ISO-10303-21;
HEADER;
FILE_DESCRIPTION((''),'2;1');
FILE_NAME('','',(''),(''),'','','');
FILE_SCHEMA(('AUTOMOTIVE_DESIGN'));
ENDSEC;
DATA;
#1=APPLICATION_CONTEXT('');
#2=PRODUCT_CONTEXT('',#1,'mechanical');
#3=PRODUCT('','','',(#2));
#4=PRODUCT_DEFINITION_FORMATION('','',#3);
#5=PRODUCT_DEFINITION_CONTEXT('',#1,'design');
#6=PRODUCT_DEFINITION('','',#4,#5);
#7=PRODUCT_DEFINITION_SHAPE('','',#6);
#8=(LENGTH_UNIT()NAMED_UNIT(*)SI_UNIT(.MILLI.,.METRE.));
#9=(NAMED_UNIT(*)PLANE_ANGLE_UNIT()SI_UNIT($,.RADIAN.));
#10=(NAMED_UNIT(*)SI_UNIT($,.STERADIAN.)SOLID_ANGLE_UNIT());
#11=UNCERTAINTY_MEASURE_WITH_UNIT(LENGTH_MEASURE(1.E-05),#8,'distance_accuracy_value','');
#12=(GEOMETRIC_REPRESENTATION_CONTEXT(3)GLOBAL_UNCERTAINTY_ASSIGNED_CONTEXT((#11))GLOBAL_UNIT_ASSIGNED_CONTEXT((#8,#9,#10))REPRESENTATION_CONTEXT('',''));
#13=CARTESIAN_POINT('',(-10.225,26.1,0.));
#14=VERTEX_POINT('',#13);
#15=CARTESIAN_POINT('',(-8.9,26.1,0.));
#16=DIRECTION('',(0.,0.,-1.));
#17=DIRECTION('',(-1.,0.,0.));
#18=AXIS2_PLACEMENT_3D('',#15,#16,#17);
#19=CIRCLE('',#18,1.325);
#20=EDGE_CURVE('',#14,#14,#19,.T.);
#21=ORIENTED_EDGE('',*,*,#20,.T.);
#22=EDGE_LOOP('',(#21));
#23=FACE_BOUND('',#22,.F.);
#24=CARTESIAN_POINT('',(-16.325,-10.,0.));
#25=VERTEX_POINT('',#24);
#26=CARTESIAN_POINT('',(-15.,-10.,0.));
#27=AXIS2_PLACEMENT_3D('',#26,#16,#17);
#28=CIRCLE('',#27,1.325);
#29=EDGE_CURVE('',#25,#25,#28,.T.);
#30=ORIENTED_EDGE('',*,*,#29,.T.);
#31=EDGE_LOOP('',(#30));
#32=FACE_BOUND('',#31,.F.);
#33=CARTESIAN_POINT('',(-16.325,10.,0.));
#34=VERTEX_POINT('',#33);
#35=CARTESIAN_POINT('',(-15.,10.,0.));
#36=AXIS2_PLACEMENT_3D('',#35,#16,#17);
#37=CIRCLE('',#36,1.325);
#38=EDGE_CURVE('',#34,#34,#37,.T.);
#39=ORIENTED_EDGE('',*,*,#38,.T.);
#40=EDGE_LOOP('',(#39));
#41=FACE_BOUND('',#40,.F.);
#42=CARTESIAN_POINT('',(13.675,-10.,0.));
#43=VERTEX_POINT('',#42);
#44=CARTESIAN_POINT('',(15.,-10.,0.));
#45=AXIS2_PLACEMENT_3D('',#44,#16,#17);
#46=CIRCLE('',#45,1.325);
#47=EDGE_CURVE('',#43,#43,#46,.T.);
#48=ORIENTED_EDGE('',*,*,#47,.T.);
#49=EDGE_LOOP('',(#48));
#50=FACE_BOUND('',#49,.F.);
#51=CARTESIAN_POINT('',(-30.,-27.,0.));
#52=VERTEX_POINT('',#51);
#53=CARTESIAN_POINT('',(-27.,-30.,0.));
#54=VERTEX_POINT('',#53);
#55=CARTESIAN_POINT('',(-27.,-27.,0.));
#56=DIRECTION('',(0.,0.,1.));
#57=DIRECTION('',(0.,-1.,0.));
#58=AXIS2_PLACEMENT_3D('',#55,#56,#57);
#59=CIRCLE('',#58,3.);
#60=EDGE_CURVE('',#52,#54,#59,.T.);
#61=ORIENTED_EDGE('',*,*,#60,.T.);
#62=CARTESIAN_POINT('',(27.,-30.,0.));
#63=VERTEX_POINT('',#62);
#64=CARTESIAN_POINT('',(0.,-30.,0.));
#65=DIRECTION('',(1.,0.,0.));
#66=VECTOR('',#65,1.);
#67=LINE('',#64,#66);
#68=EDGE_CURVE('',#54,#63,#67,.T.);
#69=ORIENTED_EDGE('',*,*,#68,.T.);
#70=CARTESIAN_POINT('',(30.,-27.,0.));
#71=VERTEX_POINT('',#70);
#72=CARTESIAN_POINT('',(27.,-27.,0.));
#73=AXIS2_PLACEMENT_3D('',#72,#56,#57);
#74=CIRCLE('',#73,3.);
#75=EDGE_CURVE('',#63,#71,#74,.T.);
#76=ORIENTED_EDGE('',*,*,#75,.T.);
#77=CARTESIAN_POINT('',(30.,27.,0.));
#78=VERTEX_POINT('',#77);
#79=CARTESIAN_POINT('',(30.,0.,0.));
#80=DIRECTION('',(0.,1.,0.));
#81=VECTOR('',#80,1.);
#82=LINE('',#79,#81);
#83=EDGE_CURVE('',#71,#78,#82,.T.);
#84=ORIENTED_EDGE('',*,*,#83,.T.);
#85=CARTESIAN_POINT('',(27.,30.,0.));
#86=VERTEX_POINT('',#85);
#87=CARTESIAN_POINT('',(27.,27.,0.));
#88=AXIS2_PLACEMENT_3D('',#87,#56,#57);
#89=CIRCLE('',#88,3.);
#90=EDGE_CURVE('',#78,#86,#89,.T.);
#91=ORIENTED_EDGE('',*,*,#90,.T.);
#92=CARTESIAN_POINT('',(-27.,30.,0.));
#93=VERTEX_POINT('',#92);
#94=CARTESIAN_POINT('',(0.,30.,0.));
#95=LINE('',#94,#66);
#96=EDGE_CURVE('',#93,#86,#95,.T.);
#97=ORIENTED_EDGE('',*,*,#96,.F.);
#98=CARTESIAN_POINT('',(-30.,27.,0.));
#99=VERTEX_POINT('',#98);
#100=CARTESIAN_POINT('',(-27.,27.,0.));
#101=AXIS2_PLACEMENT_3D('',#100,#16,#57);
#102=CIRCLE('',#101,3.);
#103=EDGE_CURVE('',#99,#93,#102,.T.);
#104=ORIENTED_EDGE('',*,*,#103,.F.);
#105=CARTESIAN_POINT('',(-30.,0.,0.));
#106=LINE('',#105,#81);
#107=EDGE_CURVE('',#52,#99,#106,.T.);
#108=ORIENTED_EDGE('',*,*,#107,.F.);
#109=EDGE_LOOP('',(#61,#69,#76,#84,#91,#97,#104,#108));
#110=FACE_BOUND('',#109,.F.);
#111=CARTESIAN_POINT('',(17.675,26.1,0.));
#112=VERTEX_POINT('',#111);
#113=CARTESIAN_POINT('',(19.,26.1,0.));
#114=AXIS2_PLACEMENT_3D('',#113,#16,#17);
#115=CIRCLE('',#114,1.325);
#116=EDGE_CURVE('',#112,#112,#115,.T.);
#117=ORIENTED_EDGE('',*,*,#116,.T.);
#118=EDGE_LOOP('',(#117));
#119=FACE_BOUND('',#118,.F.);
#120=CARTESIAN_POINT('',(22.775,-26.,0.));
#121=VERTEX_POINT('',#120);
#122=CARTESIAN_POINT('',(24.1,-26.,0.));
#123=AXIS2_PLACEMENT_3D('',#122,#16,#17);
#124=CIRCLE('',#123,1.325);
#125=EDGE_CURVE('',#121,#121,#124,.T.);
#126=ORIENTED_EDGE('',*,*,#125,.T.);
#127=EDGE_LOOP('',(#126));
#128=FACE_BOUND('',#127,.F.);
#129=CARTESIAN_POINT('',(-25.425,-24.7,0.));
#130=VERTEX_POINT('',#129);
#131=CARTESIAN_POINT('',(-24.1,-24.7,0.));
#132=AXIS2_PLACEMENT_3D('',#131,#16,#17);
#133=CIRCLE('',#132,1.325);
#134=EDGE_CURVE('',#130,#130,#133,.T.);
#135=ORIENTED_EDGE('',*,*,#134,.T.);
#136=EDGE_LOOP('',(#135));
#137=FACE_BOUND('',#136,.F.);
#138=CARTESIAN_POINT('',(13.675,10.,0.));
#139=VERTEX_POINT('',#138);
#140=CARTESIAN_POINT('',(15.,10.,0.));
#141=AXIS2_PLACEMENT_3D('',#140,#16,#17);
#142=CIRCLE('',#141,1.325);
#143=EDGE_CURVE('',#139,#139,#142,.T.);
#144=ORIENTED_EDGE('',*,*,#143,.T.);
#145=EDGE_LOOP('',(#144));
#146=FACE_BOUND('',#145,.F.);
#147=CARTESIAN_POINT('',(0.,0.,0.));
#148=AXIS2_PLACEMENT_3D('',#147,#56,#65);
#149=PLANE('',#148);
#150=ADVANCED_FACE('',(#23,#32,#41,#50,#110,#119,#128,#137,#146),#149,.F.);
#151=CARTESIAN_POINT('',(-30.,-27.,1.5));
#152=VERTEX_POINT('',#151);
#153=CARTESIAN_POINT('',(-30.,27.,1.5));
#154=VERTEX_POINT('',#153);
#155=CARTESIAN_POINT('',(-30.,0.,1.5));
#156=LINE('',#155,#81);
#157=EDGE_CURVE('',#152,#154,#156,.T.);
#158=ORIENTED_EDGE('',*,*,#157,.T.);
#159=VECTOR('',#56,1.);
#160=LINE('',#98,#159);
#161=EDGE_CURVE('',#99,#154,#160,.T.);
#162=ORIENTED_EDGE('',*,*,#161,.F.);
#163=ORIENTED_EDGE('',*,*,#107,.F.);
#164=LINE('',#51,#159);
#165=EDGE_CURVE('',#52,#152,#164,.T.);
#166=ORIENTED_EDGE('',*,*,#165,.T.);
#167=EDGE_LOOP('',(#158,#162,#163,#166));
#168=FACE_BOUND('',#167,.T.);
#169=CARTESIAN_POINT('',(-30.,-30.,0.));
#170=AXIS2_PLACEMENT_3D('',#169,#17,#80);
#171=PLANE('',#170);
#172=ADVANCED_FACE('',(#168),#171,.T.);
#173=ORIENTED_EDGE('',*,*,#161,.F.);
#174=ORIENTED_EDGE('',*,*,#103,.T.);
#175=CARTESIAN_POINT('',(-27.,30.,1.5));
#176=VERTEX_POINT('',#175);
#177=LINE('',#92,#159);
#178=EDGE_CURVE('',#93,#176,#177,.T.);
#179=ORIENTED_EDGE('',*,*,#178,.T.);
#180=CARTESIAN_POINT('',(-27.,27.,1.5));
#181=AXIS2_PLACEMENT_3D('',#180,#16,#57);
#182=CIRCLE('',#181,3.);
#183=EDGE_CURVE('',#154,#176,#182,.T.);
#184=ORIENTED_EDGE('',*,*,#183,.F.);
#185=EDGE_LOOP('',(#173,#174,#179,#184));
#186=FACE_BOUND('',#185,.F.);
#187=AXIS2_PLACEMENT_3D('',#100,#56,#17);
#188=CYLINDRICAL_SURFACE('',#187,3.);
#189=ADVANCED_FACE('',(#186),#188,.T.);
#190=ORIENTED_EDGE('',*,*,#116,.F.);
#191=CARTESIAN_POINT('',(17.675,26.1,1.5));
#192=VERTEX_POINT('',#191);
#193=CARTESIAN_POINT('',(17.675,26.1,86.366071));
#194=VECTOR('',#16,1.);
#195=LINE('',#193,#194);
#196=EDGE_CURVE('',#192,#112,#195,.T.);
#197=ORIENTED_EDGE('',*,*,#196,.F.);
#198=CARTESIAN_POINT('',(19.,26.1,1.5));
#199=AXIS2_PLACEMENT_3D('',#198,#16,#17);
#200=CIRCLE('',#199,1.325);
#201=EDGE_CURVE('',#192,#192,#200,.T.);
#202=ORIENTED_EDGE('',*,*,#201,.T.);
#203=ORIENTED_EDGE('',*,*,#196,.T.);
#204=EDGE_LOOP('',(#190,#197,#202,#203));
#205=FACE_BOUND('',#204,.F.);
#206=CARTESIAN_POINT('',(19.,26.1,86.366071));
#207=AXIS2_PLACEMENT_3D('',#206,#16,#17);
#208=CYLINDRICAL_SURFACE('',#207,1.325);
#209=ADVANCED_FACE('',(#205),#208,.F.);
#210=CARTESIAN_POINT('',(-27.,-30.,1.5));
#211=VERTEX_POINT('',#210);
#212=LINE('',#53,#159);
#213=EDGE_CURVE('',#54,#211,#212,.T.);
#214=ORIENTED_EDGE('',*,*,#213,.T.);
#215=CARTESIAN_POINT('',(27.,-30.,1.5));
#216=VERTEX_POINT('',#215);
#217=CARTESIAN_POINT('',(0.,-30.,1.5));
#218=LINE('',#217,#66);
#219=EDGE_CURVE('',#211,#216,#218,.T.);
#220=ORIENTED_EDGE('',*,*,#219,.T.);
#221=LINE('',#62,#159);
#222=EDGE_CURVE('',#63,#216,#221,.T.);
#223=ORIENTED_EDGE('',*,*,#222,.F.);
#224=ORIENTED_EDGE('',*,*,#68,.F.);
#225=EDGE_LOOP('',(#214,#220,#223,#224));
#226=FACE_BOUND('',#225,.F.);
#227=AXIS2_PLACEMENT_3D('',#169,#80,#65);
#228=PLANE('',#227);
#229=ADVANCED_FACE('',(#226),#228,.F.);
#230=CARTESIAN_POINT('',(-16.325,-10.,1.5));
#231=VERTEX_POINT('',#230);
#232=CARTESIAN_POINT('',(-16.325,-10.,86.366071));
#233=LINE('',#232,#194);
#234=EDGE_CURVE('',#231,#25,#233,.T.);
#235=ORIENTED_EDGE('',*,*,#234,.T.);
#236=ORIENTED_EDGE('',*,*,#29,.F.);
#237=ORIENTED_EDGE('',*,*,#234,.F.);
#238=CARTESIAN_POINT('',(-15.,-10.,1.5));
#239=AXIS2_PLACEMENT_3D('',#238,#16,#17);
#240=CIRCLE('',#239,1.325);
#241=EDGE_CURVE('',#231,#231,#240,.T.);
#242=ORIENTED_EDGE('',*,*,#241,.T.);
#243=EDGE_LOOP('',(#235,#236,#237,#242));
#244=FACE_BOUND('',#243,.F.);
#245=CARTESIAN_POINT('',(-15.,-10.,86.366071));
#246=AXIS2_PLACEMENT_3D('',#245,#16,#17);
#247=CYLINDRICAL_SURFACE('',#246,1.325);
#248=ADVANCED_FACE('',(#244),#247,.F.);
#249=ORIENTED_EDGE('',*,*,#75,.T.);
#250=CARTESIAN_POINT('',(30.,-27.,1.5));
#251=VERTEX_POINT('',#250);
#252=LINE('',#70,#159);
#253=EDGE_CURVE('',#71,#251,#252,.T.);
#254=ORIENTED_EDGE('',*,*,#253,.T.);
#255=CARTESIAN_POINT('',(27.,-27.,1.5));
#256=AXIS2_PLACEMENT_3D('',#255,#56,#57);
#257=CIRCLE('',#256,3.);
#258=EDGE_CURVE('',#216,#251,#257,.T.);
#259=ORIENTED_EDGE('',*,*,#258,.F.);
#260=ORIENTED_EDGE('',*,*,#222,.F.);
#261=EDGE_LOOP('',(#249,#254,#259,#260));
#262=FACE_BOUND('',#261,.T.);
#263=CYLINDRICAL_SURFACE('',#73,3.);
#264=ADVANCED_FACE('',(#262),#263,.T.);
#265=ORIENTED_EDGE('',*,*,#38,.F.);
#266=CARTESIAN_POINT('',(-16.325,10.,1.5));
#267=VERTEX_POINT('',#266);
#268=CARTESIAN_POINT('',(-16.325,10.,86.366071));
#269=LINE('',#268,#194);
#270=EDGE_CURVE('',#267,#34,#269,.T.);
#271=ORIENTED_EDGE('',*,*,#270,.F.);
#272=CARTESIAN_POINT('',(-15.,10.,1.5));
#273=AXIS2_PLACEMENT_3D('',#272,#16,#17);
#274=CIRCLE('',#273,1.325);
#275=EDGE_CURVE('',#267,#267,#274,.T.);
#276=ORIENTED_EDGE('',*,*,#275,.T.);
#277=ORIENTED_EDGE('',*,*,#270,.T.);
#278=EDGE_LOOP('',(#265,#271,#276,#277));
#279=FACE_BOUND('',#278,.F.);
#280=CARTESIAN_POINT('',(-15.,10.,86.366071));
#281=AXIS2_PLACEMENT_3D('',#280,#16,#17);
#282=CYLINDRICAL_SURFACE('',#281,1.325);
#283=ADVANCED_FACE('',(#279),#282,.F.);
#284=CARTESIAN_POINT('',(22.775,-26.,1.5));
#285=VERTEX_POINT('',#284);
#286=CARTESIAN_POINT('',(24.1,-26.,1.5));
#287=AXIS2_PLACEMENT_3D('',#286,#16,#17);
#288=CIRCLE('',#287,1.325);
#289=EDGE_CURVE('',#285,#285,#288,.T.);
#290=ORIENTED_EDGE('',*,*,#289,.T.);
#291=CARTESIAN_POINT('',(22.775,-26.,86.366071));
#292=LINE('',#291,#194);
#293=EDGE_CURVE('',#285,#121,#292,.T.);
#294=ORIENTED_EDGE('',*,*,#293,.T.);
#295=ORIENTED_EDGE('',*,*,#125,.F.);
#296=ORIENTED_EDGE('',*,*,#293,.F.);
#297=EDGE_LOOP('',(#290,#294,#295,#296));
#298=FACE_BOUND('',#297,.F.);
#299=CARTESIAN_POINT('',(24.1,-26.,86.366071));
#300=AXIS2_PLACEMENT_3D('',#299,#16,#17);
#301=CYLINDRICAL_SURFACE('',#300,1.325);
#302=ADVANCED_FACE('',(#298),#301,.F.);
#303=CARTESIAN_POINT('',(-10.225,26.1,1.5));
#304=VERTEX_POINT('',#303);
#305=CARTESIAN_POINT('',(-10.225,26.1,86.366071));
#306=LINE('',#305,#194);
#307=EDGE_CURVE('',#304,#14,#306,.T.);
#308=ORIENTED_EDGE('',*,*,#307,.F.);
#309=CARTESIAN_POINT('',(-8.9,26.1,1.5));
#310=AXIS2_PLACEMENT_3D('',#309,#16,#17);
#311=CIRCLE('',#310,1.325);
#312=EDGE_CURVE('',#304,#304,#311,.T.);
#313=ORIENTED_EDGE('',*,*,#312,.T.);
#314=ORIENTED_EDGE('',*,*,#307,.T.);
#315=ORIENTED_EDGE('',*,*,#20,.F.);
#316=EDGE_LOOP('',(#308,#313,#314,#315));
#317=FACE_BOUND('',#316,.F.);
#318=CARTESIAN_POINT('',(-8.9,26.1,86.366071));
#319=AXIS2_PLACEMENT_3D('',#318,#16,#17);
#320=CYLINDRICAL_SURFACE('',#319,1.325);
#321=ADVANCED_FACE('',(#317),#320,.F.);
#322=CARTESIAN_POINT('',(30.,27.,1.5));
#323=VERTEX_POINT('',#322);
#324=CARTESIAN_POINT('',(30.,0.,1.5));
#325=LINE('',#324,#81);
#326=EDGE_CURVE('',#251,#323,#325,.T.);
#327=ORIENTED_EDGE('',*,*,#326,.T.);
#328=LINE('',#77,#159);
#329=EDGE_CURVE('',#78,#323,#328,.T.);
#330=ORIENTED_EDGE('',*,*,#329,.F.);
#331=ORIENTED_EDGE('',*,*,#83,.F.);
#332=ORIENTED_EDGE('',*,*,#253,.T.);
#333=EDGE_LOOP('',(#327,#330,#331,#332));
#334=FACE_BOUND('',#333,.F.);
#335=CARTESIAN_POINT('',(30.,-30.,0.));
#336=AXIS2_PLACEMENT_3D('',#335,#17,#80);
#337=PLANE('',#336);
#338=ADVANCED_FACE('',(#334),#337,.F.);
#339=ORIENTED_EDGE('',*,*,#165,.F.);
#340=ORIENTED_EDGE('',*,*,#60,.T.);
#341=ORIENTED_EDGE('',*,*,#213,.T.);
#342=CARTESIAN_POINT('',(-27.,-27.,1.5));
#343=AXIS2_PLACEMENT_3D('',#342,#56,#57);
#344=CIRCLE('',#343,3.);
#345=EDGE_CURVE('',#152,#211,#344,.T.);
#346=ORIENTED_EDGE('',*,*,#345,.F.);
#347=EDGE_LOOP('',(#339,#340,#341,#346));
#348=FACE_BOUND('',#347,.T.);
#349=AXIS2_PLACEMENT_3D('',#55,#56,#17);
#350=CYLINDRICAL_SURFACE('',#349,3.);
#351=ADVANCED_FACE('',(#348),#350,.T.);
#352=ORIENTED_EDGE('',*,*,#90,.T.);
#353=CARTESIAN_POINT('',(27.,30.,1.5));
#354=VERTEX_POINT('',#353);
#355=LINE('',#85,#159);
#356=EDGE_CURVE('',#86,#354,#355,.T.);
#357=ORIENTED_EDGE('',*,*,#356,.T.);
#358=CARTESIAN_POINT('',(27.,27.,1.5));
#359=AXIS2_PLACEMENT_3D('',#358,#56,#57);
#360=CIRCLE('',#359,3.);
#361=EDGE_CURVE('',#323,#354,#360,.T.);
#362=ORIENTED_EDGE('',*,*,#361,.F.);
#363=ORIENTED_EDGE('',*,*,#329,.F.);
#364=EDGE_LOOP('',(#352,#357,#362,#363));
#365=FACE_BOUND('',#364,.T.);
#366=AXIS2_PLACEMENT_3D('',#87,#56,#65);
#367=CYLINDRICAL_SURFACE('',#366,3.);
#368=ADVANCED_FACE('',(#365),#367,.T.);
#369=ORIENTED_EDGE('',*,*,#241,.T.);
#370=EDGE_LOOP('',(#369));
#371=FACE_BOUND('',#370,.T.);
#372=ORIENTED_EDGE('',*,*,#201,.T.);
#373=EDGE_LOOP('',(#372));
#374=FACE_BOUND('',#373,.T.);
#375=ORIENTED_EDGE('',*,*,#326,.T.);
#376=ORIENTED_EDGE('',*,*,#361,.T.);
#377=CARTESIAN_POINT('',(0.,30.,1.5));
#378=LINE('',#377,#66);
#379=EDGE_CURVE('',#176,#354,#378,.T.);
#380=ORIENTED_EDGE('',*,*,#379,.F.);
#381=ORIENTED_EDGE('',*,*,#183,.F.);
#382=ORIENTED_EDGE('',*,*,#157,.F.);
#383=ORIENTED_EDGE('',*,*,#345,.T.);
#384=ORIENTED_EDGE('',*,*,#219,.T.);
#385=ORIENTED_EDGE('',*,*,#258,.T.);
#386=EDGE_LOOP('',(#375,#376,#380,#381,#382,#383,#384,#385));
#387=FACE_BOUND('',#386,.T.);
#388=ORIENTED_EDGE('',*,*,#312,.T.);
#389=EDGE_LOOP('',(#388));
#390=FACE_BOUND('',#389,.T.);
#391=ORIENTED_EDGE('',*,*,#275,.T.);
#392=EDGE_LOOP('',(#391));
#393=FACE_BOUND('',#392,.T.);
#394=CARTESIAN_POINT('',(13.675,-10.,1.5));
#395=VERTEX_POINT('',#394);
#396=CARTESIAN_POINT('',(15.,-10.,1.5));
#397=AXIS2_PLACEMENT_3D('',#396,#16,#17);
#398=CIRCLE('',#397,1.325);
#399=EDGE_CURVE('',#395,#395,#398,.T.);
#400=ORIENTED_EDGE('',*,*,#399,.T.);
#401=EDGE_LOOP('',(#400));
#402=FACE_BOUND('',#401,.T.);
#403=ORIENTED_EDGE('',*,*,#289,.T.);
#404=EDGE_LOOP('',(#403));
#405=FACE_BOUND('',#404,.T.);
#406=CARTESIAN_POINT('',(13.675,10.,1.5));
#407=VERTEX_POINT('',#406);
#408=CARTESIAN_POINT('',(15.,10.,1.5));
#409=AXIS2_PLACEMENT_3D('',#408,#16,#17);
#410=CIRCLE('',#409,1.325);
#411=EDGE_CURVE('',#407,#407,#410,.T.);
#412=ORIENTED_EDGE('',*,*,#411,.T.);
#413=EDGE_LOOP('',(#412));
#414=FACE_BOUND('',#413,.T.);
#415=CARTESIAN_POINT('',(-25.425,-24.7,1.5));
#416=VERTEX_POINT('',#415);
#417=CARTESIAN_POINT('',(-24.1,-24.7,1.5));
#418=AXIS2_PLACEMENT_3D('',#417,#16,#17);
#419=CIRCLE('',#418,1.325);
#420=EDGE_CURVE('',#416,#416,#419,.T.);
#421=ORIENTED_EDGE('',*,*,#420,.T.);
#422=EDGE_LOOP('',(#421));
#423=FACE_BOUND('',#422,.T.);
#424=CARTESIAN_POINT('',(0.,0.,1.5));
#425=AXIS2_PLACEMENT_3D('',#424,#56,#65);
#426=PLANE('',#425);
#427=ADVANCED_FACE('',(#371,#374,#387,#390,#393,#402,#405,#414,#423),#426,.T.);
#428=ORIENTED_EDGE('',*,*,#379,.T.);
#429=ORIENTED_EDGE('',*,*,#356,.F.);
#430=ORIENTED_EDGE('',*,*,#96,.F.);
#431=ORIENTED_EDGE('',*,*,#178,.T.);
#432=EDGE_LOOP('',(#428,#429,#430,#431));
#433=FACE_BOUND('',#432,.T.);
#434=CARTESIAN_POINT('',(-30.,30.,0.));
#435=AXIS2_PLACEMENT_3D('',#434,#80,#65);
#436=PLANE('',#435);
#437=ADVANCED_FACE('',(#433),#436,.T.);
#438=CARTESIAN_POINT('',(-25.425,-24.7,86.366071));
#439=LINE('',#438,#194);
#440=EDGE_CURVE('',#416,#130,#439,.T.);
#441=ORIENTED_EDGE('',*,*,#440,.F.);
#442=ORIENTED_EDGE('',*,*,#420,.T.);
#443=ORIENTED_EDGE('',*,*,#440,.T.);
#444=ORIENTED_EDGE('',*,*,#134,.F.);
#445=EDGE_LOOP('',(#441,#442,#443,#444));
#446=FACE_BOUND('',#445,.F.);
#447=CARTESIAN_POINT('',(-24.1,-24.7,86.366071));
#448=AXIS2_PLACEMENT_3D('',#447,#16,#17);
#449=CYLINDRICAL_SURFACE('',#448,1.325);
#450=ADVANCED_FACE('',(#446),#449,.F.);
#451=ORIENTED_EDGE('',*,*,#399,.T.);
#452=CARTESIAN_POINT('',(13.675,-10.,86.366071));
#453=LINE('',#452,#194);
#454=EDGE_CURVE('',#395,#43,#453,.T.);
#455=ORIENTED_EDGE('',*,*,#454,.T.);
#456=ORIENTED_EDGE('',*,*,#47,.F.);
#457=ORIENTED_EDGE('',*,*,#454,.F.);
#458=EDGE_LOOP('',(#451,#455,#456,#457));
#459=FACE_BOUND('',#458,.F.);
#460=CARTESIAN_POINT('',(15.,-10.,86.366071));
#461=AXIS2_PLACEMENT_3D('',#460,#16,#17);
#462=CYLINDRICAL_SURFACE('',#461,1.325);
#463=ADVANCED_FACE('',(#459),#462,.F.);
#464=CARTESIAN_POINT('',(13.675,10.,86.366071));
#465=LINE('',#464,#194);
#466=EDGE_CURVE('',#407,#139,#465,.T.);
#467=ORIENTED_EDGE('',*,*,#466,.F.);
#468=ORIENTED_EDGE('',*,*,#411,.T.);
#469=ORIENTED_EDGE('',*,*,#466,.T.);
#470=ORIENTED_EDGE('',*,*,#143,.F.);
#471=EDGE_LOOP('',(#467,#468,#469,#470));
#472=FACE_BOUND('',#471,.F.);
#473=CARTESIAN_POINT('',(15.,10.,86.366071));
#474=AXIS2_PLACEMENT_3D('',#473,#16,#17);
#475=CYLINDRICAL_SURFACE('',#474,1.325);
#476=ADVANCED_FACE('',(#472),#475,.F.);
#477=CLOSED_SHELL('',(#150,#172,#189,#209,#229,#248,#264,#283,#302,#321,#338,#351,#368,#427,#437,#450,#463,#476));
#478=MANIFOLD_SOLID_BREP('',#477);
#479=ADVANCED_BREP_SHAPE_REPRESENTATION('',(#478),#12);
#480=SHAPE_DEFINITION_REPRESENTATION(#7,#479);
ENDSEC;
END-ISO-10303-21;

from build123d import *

# Parameters (mm, degrees)
F0_W     = 60
F0_H     = 60
F1_DEPTH = 1.5
F2_R     = 3
F4_D     = 2.65


with BuildPart() as f1:
    # F0 (on Top) → F1 (new body)
    with BuildSketch(Plane.XY):
        Rectangle(F0_W, F0_H)
    extrude(amount=F1_DEPTH)

    # F2
    f2_edges = [f1.edges().sort_by_distance(p)[0] for p in [
        (-30, -30, 0.75),
        (30, -30, 0.75),
        (30, 30, 0.75),
        (-30, 30, 0.75),
    ]]
    fillet(f2_edges, radius=F2_R)

    # F4 (through all)
    with Locations(Plane.XY.offset(1.5)):
        with Locations((-15, 10), (15, 10), (15, -10), (-15, -10), (-8.9, 26.1), (19, 26.1), (24.1, -26), (-24.1, -24.7)):
            Hole(F4_D / 2)


solid = f1.part
